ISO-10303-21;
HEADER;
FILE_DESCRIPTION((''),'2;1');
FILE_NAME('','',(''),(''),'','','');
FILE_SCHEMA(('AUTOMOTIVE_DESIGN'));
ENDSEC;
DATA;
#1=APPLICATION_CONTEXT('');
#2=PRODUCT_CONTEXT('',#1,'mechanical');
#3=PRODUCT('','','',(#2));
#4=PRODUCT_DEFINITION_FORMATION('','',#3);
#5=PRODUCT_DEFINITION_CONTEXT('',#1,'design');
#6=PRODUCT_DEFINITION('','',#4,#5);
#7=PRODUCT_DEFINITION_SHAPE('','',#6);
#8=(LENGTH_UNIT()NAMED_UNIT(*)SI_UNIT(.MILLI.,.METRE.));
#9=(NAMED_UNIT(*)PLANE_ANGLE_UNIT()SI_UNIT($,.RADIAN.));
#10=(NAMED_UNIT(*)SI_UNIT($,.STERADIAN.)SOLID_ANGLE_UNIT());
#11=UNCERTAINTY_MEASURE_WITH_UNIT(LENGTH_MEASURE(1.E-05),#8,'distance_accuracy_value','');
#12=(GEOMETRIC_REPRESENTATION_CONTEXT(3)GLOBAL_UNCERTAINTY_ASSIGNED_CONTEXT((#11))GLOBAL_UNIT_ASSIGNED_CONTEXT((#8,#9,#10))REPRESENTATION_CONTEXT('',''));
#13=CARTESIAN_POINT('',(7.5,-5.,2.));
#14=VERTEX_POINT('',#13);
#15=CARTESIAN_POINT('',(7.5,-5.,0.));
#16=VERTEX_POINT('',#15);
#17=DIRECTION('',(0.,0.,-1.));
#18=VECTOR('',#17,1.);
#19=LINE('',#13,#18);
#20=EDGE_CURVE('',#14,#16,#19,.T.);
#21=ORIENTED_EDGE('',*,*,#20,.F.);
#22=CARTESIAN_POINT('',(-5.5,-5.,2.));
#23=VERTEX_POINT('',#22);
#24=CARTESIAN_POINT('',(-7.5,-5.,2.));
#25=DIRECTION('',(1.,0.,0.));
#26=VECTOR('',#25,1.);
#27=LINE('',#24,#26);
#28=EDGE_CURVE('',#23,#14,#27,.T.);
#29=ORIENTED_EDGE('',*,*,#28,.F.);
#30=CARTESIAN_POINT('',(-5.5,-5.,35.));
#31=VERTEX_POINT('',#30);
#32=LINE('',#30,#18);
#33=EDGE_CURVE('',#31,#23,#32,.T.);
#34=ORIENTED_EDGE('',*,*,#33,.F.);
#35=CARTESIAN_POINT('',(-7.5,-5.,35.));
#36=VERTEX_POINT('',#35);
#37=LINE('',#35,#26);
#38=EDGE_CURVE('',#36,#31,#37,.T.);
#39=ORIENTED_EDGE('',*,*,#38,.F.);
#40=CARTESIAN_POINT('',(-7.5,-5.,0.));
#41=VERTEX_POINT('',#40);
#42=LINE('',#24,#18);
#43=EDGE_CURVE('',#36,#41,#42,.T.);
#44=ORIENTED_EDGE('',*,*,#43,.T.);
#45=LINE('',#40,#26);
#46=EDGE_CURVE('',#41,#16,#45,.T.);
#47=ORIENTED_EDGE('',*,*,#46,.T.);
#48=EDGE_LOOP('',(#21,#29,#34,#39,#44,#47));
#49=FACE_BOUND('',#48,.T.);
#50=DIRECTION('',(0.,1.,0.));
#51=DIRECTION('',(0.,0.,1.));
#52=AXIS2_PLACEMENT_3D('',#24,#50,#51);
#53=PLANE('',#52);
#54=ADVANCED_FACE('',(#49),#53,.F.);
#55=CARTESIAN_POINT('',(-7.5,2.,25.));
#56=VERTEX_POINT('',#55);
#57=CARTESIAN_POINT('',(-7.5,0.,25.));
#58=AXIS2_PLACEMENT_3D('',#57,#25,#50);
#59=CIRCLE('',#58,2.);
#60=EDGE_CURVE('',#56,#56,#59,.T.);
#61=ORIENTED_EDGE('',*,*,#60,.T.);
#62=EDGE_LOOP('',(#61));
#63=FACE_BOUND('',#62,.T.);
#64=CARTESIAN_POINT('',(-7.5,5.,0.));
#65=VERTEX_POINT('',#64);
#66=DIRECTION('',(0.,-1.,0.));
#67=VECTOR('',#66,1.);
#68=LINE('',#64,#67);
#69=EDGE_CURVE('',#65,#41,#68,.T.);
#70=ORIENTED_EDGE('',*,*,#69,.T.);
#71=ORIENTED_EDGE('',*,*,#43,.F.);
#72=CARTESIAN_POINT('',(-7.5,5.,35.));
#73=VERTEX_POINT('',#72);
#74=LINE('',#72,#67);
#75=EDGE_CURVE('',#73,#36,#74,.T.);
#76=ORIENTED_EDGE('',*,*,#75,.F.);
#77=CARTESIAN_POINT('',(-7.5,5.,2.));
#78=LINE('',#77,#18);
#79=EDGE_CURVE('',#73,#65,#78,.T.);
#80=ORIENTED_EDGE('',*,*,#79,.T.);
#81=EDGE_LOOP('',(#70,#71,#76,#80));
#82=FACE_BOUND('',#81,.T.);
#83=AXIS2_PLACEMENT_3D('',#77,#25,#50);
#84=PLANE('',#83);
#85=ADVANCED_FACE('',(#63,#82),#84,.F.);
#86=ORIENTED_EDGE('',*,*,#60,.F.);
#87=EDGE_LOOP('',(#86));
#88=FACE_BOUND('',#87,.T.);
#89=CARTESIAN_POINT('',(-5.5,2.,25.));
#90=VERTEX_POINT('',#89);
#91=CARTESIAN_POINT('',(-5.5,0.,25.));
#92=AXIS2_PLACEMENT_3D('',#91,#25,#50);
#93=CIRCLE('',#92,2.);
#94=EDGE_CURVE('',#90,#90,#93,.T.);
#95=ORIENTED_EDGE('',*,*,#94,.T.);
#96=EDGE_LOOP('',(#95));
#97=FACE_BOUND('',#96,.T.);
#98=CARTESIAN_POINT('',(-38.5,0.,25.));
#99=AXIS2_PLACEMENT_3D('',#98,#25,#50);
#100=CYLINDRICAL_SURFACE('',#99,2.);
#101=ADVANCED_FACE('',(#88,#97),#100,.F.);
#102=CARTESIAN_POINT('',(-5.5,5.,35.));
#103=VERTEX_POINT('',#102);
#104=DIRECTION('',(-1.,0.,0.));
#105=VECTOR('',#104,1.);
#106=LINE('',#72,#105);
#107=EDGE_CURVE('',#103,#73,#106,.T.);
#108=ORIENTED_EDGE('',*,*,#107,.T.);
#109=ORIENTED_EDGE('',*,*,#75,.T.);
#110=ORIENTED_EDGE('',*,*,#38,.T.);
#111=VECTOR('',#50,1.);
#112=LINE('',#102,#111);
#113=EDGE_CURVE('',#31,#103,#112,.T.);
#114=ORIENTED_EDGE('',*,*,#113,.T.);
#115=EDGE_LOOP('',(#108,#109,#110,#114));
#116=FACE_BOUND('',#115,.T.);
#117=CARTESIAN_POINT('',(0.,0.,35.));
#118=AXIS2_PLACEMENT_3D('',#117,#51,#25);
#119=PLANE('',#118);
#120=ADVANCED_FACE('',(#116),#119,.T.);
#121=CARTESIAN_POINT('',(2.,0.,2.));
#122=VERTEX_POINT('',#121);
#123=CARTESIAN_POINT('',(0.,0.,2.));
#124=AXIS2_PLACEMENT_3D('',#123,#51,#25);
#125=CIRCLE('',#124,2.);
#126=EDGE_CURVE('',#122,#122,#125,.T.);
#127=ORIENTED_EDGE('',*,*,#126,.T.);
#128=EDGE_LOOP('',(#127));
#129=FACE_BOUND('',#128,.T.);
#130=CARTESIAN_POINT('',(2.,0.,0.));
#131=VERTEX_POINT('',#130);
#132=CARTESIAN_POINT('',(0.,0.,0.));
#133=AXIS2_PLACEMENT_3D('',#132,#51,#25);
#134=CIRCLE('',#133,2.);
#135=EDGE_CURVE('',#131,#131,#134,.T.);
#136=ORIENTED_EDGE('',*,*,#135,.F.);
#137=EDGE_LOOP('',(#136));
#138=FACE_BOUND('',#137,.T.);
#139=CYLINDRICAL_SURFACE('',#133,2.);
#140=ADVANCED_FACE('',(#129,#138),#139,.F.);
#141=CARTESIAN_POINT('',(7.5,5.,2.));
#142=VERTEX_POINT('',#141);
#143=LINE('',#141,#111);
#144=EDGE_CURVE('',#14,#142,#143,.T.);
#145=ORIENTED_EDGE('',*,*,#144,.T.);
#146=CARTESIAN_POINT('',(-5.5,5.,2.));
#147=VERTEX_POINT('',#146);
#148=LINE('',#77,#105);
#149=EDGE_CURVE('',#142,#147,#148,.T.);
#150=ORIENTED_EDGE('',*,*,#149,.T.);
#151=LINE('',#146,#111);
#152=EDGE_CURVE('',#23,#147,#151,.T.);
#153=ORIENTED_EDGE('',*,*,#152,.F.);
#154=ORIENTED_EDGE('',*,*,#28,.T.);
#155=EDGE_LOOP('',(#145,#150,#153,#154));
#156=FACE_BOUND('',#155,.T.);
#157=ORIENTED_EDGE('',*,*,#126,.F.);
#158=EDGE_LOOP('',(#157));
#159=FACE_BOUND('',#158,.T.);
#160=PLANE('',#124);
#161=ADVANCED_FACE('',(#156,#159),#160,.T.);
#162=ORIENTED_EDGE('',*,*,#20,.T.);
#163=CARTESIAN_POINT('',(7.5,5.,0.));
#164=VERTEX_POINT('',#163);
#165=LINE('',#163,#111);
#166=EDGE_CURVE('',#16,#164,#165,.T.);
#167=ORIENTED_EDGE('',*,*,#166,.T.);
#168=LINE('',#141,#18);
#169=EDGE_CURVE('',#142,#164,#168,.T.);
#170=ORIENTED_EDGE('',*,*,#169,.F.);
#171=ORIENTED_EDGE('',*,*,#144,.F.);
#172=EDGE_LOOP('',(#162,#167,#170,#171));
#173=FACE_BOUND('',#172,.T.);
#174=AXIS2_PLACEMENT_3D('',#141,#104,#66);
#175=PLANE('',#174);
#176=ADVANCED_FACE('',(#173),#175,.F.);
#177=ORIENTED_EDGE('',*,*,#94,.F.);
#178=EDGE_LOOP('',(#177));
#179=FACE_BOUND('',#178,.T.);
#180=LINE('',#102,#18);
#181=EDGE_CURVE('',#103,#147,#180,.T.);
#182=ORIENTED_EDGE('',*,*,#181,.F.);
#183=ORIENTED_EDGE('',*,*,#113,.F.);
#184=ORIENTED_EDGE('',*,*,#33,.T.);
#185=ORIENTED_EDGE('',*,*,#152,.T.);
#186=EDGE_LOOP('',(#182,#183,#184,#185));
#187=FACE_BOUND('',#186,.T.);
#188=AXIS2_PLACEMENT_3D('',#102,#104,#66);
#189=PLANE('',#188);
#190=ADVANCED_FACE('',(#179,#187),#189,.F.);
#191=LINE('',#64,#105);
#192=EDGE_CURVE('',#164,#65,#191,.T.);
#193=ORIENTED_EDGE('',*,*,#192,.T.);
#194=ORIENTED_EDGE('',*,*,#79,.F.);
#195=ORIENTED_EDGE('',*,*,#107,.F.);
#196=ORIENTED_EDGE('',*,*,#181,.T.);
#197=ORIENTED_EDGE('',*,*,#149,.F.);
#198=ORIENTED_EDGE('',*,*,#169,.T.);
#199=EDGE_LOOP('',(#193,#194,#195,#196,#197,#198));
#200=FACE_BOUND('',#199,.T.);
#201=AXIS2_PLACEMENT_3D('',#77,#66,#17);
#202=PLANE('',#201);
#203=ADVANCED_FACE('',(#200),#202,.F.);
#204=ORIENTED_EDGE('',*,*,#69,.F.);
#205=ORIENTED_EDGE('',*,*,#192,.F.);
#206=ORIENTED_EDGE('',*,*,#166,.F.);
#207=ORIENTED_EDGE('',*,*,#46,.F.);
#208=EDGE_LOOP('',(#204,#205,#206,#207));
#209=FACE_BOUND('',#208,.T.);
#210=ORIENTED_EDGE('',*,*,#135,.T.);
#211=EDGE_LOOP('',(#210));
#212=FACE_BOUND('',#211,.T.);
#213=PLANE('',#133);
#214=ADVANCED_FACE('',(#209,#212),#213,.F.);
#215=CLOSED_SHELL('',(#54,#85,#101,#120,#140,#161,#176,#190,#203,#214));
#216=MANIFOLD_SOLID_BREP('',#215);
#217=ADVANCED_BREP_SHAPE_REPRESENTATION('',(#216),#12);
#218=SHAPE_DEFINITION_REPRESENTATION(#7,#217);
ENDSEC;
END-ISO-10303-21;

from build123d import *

# Parameters (mm, degrees)
SKETCH1_W           = 15
SKETCH1_H           = 10
BOSS_EXTRUDE2_DEPTH = 2
SKETCH2_R           = 2
CUT_EXTRUDE2_DEPTH  = 2
SKETCH3_W           = 2
SKETCH3_H           = 10
BOSS_EXTRUDE3_DEPTH = 33
SKETCH4_R           = 2
CUT_EXTRUDE3_DEPTH  = 33


with BuildPart() as part:
    # Sketch1 → Boss-Extrude2 (new body)
    with BuildSketch(Plane.XY):
        Rectangle(SKETCH1_W, SKETCH1_H)
    extrude(amount=BOSS_EXTRUDE2_DEPTH)

    # Sketch2 → Cut-Extrude2 (cut)
    with BuildSketch(Plane.XY.offset(2)):
        Circle(SKETCH2_R)
    extrude(amount=-CUT_EXTRUDE2_DEPTH, mode=Mode.SUBTRACT)

    # Sketch3 → Boss-Extrude3 (add)
    with BuildSketch(Plane.XY.offset(2)):
        with Locations((-6.5, 0)):
            Rectangle(SKETCH3_W, SKETCH3_H)
    extrude(amount=BOSS_EXTRUDE3_DEPTH)

    # Sketch4 → Cut-Extrude3 (cut)
    with BuildSketch(Plane(origin=(-5.5, 0, 0), x_dir=(0, 0, -1), z_dir=(1, 0, 0))):
        with Locations(Location((-25, 0, 0), (0, 0, 90))):
            Circle(SKETCH4_R)
    extrude(amount=-CUT_EXTRUDE3_DEPTH, mode=Mode.SUBTRACT)


solid = part.part
